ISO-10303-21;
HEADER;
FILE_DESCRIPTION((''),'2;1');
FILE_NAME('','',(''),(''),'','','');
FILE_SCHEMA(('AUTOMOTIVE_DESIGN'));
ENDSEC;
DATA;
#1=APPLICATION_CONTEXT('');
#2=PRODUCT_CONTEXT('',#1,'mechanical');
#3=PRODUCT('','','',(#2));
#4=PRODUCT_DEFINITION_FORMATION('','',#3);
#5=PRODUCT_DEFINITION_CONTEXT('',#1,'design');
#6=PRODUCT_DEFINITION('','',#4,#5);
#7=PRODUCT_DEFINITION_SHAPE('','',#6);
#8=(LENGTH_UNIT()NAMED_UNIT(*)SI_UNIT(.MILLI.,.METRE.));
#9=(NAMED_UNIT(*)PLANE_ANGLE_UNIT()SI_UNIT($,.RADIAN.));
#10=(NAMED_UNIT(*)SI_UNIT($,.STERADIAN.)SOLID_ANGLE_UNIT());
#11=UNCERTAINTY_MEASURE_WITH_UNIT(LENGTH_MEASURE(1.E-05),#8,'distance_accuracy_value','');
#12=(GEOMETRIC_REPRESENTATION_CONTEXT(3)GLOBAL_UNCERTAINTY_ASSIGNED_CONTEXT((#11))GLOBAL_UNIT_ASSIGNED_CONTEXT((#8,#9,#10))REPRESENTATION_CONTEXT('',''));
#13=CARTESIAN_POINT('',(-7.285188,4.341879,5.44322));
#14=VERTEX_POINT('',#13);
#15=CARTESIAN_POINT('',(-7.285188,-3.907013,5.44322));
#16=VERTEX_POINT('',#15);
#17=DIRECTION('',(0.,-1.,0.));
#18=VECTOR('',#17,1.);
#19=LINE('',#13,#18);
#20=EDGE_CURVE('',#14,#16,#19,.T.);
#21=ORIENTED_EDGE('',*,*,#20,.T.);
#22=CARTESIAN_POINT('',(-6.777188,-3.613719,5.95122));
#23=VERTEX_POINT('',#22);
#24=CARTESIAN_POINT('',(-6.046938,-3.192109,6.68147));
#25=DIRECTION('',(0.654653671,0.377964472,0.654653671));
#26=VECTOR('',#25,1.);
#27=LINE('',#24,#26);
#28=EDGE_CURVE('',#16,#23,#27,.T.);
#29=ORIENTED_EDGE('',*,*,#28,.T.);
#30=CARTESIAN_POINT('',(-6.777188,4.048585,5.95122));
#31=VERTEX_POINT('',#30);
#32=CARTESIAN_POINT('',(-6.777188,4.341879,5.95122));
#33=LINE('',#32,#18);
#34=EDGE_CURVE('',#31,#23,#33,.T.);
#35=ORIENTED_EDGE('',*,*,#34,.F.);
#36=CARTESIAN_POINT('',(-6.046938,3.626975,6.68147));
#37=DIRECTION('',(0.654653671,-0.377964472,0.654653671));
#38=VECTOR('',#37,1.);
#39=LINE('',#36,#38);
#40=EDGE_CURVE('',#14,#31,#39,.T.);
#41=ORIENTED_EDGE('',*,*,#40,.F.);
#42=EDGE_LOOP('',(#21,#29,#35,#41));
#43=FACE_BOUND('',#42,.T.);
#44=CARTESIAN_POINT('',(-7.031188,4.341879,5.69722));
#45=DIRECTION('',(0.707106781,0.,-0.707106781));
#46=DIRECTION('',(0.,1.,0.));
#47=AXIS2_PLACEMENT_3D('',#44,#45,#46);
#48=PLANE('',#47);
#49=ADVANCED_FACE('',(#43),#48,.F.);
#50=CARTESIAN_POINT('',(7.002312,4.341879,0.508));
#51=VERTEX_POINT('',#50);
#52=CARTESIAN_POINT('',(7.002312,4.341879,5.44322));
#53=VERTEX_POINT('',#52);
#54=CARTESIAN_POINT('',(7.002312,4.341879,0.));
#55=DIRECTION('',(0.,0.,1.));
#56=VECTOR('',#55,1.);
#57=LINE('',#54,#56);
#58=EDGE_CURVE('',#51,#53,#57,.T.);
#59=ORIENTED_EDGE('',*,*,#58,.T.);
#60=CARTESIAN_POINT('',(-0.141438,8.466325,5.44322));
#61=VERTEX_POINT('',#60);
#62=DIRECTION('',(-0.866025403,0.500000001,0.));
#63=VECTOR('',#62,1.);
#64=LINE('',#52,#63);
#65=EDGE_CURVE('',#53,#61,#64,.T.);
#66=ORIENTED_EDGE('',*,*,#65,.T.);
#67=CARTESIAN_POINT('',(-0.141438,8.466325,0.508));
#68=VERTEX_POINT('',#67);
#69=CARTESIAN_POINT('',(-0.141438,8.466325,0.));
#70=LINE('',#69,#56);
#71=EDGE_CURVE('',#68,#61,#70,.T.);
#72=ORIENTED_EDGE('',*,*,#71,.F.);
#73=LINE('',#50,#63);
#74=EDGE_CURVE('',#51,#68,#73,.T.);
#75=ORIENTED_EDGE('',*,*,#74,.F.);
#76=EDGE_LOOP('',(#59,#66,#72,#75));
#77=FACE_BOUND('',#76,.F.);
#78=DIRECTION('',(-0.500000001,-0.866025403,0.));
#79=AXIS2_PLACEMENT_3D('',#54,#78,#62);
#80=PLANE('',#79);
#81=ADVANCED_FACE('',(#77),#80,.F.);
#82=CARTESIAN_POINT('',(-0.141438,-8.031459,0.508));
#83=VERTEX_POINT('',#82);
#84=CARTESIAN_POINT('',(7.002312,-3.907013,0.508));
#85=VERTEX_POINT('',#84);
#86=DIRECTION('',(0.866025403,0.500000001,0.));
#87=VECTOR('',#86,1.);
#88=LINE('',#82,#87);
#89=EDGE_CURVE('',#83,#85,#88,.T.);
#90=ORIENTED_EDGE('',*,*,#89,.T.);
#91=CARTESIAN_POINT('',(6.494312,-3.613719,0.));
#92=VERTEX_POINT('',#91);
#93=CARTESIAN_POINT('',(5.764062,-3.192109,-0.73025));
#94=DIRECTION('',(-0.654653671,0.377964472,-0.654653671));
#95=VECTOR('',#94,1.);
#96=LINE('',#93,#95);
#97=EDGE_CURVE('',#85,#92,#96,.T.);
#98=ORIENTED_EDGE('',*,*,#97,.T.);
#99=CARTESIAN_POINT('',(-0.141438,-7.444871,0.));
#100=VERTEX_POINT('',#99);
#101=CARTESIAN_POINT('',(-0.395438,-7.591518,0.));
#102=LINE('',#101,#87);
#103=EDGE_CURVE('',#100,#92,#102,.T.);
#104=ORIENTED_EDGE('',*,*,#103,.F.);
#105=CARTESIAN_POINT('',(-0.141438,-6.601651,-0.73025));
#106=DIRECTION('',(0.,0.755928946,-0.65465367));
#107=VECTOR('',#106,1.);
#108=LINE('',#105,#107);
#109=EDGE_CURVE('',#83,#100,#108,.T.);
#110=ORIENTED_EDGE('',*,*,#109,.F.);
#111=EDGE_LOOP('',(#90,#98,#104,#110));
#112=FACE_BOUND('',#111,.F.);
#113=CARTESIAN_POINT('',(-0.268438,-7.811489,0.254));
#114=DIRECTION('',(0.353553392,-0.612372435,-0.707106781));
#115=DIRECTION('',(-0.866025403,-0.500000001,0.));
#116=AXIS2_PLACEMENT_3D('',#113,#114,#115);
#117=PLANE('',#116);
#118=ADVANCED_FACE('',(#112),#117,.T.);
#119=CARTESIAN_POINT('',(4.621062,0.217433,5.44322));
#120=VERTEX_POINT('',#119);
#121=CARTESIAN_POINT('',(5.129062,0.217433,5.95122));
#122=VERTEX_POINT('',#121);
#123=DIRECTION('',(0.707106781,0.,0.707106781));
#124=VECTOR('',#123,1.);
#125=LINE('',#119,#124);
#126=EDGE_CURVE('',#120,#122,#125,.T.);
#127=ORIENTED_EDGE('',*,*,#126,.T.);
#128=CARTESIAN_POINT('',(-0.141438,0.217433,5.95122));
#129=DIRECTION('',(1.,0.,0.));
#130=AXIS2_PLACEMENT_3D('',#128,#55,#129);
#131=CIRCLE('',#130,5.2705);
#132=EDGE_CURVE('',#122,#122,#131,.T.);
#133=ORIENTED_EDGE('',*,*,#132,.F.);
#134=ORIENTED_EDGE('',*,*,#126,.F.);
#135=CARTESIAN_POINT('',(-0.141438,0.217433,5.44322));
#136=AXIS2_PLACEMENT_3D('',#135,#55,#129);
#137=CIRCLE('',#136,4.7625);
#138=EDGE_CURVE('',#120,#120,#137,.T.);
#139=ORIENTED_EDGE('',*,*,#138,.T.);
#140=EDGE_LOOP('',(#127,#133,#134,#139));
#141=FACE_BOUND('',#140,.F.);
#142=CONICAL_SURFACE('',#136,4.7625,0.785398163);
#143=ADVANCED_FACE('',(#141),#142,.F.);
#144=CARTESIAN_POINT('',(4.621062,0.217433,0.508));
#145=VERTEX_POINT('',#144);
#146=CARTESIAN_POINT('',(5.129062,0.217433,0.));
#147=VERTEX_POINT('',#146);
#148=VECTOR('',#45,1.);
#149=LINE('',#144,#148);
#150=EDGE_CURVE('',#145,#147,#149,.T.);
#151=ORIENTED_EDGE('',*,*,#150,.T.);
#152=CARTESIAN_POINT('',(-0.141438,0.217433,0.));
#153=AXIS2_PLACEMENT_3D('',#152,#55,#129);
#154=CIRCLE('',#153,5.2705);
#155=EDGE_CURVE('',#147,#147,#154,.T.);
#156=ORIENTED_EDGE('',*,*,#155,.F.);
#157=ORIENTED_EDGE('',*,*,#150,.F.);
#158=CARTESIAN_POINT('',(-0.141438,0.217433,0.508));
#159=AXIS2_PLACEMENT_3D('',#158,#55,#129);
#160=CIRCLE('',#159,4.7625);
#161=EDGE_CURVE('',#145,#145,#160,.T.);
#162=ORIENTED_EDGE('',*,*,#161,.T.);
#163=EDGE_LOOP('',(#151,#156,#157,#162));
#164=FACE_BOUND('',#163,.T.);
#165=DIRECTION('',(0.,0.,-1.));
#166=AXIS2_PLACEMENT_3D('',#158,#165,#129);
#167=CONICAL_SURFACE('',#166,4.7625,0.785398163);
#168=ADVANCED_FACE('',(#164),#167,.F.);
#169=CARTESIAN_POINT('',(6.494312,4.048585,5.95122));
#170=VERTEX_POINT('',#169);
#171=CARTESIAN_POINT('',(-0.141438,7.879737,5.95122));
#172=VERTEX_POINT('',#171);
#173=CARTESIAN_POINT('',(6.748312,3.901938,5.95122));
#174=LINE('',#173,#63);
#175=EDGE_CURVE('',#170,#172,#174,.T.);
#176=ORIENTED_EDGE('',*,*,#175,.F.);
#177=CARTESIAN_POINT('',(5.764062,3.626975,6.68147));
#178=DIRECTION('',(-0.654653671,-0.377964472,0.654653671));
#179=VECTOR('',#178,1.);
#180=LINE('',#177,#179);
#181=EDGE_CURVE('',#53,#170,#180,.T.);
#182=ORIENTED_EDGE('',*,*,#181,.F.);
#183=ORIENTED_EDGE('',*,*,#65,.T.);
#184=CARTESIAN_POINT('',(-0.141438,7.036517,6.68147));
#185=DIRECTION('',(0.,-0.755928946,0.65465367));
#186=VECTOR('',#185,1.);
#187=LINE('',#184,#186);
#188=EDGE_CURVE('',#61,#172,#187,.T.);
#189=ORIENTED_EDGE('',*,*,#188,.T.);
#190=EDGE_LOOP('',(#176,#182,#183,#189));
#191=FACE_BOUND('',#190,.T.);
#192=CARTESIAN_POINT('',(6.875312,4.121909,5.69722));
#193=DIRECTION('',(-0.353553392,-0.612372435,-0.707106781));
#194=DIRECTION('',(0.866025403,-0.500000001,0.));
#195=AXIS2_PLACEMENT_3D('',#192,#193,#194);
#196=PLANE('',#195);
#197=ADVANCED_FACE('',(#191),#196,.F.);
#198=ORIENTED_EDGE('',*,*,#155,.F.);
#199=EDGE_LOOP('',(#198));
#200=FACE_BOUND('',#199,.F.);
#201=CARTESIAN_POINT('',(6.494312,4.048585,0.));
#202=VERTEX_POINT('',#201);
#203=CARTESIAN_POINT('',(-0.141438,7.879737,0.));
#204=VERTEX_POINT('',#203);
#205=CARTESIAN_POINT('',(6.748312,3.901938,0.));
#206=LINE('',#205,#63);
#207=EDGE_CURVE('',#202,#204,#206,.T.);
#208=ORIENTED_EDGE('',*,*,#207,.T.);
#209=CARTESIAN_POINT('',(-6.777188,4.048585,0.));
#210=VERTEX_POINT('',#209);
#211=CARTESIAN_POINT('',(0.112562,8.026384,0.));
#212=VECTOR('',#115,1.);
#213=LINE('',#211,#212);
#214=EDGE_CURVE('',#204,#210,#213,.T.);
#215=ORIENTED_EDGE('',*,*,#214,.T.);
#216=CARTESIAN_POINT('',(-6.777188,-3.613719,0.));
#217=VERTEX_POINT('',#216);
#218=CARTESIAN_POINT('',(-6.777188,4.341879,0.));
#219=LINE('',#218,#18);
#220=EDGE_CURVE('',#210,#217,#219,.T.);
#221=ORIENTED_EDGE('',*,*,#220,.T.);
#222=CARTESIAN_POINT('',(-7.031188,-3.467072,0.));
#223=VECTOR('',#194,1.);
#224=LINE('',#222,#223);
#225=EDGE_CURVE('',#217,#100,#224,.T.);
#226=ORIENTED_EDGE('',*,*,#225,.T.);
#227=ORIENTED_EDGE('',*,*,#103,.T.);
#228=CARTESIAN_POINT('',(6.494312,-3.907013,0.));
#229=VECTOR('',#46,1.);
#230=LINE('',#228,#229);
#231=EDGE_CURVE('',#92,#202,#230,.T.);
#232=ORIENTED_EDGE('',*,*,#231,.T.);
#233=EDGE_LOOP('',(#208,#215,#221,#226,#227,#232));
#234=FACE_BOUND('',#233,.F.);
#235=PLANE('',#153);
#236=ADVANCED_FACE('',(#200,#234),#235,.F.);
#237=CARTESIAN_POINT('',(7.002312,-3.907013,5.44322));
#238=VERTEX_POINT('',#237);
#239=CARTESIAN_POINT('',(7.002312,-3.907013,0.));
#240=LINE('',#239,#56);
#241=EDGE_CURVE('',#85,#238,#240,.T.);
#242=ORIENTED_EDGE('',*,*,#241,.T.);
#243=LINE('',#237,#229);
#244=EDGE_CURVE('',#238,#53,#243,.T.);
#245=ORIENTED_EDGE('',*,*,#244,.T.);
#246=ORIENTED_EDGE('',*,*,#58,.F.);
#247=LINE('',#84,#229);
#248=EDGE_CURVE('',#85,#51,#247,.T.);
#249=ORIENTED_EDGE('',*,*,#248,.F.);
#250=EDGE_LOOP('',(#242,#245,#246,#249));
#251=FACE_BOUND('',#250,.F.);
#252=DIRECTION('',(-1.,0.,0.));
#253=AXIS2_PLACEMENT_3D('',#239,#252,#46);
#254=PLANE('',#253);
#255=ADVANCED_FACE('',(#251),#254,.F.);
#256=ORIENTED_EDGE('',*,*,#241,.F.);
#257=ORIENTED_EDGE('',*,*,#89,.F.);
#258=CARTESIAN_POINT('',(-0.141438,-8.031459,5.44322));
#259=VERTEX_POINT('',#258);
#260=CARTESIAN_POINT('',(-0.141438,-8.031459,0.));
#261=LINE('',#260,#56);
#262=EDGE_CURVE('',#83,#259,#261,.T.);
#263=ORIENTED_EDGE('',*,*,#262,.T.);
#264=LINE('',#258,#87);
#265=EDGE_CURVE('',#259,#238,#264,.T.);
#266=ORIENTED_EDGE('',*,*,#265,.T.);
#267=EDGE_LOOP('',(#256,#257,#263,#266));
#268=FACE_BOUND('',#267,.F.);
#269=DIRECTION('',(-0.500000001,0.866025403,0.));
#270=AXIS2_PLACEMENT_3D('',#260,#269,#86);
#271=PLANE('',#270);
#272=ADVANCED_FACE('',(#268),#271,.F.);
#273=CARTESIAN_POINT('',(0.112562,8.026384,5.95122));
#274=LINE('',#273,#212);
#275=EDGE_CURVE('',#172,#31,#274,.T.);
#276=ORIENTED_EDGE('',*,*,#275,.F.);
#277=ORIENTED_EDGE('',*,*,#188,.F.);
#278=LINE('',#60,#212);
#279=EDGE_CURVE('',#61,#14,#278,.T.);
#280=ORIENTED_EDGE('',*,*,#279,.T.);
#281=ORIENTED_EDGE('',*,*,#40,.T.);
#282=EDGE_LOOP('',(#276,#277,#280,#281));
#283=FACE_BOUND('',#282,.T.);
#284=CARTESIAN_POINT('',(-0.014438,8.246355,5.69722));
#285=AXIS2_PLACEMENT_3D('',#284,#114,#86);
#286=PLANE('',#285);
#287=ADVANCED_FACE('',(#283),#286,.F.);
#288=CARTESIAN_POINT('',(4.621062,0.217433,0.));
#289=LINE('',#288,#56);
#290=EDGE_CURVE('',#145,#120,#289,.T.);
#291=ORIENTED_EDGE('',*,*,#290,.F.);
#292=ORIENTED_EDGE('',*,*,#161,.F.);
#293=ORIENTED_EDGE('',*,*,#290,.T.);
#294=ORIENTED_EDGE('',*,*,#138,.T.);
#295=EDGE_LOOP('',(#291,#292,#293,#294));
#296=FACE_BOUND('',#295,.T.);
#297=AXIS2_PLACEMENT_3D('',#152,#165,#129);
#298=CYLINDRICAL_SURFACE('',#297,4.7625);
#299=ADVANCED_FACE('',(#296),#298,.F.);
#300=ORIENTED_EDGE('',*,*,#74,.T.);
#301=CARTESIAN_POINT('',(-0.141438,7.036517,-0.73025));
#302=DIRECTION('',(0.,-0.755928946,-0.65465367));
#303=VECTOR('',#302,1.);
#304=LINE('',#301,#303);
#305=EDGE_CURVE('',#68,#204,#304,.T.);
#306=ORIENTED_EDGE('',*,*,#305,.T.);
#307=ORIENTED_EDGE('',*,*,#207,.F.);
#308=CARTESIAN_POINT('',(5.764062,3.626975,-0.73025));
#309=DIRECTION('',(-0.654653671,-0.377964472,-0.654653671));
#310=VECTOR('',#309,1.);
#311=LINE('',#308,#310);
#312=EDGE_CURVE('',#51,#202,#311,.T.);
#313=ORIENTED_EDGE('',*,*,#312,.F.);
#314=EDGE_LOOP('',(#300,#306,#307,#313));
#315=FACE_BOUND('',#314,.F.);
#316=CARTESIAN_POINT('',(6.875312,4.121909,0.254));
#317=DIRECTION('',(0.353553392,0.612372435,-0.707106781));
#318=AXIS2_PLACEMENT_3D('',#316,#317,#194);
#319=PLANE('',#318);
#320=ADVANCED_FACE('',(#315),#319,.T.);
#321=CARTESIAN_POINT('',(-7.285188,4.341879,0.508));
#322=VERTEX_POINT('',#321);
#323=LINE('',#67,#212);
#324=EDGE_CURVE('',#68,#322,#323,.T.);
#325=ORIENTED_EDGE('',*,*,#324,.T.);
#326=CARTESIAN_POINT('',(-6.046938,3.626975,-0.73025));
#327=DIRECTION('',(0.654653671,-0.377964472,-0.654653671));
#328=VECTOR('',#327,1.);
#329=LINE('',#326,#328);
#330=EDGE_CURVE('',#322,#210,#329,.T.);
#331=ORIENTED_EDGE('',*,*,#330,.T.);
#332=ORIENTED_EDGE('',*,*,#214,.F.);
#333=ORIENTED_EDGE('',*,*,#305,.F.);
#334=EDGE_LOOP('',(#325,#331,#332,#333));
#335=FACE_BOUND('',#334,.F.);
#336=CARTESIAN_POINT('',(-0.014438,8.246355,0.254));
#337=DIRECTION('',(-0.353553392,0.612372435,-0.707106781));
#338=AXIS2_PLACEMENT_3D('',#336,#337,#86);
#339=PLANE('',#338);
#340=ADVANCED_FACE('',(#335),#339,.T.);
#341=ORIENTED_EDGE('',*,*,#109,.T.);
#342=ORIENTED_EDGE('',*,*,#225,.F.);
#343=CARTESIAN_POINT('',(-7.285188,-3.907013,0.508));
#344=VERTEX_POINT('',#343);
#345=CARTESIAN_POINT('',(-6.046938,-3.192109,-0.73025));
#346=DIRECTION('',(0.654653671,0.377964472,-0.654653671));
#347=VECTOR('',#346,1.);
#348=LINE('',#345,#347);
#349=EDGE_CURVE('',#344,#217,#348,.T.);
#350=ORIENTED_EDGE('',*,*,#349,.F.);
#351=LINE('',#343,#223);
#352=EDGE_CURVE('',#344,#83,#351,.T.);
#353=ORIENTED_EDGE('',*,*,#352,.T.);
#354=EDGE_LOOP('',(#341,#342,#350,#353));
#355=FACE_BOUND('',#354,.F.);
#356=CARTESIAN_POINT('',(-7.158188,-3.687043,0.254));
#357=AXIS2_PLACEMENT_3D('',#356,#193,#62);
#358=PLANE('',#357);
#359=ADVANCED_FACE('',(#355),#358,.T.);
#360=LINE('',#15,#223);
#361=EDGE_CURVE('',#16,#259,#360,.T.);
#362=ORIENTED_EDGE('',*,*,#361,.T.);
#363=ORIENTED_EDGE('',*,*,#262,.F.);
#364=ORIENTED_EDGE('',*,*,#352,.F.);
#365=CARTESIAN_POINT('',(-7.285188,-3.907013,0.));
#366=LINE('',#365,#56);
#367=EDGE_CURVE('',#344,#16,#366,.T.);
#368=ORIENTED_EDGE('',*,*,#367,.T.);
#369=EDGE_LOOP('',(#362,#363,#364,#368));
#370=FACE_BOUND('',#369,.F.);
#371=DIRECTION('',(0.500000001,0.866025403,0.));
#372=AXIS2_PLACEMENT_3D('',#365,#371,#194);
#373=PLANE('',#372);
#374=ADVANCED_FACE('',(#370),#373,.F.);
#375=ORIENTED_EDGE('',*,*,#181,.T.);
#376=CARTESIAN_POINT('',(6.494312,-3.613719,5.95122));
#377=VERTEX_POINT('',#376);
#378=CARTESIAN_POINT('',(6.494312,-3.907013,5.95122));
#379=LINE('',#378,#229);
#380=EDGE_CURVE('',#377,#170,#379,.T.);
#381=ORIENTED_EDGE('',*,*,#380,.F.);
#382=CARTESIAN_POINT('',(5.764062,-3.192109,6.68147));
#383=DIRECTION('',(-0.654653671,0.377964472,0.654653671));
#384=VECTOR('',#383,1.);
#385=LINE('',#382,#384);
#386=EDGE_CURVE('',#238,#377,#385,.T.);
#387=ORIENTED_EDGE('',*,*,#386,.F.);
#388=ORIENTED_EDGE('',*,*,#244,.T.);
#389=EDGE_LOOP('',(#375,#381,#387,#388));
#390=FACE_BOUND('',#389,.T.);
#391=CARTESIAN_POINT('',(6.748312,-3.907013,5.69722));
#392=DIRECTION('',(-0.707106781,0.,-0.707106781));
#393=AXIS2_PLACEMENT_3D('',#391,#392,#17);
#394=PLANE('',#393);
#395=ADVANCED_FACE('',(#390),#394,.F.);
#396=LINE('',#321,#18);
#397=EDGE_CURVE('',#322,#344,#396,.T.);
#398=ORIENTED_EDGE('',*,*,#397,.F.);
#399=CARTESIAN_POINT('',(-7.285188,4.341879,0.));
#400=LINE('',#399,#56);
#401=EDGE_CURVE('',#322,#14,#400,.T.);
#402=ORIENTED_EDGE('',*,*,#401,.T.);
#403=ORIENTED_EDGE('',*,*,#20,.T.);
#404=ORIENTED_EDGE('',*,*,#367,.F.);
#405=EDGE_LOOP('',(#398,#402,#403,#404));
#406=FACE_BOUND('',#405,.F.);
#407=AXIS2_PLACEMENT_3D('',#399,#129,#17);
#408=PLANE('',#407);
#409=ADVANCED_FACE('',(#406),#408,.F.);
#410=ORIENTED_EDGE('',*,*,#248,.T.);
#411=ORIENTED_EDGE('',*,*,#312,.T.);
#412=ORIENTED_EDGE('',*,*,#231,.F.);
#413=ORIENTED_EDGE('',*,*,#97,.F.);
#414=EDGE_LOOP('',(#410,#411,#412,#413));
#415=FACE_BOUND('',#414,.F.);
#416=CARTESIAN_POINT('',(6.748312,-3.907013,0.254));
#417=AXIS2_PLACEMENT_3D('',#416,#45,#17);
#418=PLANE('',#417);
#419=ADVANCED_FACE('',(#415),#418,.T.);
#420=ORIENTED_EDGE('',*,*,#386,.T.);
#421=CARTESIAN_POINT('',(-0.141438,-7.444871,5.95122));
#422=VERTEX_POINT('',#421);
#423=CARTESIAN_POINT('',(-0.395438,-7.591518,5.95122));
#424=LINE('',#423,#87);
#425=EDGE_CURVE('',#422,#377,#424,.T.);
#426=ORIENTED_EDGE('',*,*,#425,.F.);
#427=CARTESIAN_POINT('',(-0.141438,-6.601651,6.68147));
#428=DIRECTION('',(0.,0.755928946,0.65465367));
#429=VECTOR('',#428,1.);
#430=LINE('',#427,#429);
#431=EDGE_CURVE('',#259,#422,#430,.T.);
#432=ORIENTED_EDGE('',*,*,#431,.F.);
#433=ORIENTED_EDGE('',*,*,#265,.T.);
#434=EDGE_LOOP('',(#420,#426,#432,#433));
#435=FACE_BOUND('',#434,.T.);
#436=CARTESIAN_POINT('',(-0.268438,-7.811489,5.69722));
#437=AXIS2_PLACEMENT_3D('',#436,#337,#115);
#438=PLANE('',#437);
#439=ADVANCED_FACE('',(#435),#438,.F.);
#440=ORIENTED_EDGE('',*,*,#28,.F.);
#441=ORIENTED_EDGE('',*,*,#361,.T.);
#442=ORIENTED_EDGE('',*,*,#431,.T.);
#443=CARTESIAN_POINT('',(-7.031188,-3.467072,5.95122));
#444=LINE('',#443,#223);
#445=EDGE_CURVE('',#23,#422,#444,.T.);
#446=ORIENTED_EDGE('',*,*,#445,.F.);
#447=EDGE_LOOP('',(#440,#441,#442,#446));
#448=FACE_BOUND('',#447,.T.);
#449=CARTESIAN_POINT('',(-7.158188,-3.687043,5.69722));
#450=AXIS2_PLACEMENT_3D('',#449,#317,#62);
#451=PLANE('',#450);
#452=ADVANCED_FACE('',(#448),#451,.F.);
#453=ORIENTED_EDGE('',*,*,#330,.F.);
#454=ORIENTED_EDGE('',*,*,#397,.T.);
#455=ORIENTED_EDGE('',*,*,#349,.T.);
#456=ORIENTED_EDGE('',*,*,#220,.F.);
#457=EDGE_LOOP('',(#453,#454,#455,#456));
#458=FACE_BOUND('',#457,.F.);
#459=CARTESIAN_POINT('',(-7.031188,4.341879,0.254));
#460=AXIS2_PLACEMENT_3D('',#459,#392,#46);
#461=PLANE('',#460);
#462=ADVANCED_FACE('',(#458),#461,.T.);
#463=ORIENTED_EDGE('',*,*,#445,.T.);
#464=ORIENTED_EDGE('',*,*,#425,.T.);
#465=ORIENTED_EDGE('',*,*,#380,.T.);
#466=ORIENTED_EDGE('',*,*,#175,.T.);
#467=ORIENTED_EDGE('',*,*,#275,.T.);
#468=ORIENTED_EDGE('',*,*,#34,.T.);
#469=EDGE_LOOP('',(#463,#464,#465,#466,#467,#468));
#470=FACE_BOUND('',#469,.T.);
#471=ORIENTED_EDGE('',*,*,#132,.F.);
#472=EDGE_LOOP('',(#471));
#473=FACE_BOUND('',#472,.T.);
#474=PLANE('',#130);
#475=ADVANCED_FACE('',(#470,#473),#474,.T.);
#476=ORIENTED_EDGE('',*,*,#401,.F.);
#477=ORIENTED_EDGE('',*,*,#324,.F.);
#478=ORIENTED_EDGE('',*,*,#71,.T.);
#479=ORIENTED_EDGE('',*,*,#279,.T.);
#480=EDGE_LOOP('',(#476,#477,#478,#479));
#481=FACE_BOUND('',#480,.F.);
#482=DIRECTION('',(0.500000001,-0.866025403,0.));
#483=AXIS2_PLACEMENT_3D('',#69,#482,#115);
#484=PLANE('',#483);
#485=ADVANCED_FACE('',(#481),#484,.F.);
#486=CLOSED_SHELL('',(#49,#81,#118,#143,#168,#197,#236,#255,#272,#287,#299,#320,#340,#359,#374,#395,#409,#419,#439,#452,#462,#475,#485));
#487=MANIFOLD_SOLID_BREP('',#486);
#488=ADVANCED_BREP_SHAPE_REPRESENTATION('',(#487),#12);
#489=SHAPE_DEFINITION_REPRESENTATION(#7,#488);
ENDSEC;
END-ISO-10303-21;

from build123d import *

# Parameters (mm, degrees)
F0_R     = 4.7625
F1_DEPTH = 5.95122
F2_SIZE  = 0.508


with BuildPart() as f1:
    # F0 (on Top) → F1 (new body)
    with BuildSketch(Plane.XY):
        Polygon((7.002312, -3.907013), (7.002312, 4.341879), (-0.141438, 8.466325), (-7.285188, 4.341879), (-7.285188, -3.907013), (-0.141438, -8.031459), align=None)
        with Locations((-0.141438, 0.217433)):
            Circle(F0_R, mode=Mode.SUBTRACT)
    extrude(amount=F1_DEPTH)

    # F2
    f2_edges = [f1.edges().sort_by_distance(p)[0] for p in [
        (-3.713313, 6.404102, 5.95122),
        (3.430437, 6.404102, 5.95122),
        (7.002312, 0.217433, 5.95122),
        (3.430437, -5.969236, 5.95122),
        (-3.713313, -5.969236, 5.95122),
        (-7.285188, 0.217433, 5.95122),
        (3.430437, -5.969236, 0),
        (7.002312, 0.217433, 0),
        (3.430437, 6.404102, 0),
        (-3.713313, 6.404102, 0),
        (-7.285188, 0.217433, 0),
        (-3.713313, -5.969236, 0),
        (-4.903938, 0.217433, 5.95122),
        (-4.903938, 0.217433, 0),
    ]]
    chamfer(f2_edges, length=F2_SIZE)


solid = f1.part
